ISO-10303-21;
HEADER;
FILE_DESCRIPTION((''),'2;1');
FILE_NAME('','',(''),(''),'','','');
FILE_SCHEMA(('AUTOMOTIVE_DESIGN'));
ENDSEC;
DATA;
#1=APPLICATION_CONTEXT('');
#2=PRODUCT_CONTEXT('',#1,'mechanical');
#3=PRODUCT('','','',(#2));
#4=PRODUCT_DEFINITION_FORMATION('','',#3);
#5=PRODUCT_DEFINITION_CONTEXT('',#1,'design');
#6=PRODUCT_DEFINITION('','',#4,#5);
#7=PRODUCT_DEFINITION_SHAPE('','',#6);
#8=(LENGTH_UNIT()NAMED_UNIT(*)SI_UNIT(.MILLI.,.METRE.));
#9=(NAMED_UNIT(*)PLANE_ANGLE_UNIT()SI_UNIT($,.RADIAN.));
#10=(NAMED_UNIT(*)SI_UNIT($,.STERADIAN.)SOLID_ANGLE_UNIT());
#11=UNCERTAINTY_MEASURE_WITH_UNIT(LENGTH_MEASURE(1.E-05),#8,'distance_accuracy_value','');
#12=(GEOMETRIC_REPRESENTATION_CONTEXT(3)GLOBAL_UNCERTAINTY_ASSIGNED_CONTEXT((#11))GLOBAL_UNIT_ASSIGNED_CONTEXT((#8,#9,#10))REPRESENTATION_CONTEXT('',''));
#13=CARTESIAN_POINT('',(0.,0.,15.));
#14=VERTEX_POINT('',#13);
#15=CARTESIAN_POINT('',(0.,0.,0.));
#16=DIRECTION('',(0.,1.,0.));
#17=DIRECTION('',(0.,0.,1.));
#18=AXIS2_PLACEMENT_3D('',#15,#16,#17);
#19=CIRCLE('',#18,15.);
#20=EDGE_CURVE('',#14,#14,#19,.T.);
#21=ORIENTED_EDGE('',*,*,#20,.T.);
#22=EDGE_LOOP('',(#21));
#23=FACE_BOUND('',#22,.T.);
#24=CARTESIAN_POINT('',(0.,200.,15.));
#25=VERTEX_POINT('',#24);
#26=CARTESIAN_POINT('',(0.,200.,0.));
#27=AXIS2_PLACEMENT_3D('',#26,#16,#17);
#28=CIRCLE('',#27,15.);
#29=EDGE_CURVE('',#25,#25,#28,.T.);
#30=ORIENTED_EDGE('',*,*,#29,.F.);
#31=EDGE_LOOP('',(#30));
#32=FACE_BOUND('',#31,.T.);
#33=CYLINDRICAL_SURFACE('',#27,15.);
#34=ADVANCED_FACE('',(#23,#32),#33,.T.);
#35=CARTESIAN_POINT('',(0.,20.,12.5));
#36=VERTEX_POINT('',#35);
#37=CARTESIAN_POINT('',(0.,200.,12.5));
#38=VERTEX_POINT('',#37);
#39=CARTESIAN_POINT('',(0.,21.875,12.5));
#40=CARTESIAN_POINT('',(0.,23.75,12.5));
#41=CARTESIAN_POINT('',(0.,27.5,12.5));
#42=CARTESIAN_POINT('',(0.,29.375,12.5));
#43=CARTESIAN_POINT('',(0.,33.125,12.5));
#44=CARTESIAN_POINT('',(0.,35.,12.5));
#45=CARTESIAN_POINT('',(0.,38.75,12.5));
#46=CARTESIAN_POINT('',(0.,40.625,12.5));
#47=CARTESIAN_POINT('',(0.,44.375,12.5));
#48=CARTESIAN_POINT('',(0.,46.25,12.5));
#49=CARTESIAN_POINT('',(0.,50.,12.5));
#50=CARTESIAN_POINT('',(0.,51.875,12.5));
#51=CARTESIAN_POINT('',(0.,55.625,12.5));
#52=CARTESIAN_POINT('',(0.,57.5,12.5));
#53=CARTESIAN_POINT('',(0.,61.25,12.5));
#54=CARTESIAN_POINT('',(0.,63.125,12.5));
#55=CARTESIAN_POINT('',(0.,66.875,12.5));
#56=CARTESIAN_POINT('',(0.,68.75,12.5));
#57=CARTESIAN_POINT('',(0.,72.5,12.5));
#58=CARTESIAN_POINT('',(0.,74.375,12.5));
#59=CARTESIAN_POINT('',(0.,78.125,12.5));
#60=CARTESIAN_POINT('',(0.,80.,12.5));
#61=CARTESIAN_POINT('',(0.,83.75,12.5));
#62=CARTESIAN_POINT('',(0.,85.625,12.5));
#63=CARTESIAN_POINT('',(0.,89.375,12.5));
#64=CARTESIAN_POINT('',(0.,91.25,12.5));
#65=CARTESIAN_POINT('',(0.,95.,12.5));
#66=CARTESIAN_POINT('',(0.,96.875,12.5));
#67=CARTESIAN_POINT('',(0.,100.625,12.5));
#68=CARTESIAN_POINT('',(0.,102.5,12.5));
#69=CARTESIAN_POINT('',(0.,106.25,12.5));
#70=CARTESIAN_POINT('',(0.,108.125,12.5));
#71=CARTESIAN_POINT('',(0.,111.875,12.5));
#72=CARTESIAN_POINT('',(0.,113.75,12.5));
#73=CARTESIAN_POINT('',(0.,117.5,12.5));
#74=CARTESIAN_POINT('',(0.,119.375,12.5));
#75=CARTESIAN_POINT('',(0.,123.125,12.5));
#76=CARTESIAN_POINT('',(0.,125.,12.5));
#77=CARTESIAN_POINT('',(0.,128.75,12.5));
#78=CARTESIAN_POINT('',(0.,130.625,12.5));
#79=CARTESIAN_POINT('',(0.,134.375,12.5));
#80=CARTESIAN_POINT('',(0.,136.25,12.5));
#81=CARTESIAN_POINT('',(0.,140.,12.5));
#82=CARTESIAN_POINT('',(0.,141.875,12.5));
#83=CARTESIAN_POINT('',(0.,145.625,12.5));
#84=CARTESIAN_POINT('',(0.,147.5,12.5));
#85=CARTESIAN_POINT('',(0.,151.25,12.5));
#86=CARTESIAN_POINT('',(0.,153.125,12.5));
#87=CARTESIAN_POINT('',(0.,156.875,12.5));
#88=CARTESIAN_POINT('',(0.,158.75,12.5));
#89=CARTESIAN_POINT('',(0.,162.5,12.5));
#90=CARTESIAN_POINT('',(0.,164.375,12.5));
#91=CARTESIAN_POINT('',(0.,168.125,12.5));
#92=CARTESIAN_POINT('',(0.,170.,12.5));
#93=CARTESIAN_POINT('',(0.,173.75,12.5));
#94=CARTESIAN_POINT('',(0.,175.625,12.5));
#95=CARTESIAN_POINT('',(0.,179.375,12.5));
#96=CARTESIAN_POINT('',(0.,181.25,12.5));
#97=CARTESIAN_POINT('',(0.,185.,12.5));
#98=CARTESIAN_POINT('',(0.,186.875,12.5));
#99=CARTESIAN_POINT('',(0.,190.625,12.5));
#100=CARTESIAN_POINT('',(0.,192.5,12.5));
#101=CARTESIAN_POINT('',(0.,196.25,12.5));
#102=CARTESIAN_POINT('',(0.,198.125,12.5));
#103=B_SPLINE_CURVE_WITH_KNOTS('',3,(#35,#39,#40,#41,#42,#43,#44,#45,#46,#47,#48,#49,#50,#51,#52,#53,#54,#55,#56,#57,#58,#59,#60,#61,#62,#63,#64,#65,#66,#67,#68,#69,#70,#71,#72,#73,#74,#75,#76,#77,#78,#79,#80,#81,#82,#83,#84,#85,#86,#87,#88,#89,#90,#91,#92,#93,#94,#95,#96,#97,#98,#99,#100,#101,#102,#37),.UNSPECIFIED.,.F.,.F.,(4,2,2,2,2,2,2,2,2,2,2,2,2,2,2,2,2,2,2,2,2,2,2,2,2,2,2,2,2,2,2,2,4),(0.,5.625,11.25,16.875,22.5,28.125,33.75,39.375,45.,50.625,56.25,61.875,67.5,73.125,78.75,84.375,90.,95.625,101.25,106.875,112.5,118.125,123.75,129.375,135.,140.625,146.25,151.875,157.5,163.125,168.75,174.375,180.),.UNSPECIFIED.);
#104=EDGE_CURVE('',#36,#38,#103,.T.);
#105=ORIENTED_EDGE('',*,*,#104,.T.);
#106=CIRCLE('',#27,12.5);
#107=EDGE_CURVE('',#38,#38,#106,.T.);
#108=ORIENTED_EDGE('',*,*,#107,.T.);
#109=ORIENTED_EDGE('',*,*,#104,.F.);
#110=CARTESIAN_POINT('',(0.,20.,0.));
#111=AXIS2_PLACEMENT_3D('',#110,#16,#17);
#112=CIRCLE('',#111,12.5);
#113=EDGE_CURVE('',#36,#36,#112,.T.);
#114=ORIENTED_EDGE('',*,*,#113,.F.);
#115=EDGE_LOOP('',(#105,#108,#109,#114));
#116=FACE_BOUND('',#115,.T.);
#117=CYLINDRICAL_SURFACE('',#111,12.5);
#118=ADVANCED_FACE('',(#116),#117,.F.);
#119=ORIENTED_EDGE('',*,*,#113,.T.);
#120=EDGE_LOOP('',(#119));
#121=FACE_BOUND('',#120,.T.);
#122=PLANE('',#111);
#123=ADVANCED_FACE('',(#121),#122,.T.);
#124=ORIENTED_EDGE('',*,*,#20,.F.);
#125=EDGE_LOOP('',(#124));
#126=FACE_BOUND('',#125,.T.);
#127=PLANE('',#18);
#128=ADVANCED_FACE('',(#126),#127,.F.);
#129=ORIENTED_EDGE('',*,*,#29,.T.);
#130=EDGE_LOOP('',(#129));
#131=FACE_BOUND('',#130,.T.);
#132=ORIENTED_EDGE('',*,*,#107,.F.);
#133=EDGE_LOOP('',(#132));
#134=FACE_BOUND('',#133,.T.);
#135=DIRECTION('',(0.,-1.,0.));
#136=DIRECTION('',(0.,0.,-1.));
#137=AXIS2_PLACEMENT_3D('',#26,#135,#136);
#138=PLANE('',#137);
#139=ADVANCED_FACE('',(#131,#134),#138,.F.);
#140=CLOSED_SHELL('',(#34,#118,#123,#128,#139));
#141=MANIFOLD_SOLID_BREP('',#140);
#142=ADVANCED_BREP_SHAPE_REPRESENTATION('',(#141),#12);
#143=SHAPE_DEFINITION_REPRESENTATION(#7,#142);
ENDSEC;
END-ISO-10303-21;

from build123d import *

# Parameters (mm, degrees)
SKETCH1_W          = 15
SKETCH1_H          = 200
SKETCH2_R          = 12.5
CUT_EXTRUDE1_DEPTH = 180


with BuildPart() as part:
    # Sketch1 → Revolve1 (revolve)
    with BuildSketch(Plane.XY, mode=Mode.PRIVATE) as revolve1_sk:
        with Locations((7.5, 100)):
            Rectangle(SKETCH1_W, SKETCH1_H)
    revolve(revolve1_sk.sketch.rotate(Axis((0, 200, 0), (0, -1, 0)), 90), axis=Axis((0, 200, 0), (0, -1, 0)))

    # Sketch2 → Cut-Extrude1 (cut)
    with BuildSketch(Plane(origin=(0, 200, 0), x_dir=(1, 0, 0), z_dir=(0, 1, 0))):
        with Locations(Location((0, 0, 0), (0, 0, 270))):
            Circle(SKETCH2_R)
    extrude(amount=-CUT_EXTRUDE1_DEPTH, mode=Mode.SUBTRACT)


solid = part.part
